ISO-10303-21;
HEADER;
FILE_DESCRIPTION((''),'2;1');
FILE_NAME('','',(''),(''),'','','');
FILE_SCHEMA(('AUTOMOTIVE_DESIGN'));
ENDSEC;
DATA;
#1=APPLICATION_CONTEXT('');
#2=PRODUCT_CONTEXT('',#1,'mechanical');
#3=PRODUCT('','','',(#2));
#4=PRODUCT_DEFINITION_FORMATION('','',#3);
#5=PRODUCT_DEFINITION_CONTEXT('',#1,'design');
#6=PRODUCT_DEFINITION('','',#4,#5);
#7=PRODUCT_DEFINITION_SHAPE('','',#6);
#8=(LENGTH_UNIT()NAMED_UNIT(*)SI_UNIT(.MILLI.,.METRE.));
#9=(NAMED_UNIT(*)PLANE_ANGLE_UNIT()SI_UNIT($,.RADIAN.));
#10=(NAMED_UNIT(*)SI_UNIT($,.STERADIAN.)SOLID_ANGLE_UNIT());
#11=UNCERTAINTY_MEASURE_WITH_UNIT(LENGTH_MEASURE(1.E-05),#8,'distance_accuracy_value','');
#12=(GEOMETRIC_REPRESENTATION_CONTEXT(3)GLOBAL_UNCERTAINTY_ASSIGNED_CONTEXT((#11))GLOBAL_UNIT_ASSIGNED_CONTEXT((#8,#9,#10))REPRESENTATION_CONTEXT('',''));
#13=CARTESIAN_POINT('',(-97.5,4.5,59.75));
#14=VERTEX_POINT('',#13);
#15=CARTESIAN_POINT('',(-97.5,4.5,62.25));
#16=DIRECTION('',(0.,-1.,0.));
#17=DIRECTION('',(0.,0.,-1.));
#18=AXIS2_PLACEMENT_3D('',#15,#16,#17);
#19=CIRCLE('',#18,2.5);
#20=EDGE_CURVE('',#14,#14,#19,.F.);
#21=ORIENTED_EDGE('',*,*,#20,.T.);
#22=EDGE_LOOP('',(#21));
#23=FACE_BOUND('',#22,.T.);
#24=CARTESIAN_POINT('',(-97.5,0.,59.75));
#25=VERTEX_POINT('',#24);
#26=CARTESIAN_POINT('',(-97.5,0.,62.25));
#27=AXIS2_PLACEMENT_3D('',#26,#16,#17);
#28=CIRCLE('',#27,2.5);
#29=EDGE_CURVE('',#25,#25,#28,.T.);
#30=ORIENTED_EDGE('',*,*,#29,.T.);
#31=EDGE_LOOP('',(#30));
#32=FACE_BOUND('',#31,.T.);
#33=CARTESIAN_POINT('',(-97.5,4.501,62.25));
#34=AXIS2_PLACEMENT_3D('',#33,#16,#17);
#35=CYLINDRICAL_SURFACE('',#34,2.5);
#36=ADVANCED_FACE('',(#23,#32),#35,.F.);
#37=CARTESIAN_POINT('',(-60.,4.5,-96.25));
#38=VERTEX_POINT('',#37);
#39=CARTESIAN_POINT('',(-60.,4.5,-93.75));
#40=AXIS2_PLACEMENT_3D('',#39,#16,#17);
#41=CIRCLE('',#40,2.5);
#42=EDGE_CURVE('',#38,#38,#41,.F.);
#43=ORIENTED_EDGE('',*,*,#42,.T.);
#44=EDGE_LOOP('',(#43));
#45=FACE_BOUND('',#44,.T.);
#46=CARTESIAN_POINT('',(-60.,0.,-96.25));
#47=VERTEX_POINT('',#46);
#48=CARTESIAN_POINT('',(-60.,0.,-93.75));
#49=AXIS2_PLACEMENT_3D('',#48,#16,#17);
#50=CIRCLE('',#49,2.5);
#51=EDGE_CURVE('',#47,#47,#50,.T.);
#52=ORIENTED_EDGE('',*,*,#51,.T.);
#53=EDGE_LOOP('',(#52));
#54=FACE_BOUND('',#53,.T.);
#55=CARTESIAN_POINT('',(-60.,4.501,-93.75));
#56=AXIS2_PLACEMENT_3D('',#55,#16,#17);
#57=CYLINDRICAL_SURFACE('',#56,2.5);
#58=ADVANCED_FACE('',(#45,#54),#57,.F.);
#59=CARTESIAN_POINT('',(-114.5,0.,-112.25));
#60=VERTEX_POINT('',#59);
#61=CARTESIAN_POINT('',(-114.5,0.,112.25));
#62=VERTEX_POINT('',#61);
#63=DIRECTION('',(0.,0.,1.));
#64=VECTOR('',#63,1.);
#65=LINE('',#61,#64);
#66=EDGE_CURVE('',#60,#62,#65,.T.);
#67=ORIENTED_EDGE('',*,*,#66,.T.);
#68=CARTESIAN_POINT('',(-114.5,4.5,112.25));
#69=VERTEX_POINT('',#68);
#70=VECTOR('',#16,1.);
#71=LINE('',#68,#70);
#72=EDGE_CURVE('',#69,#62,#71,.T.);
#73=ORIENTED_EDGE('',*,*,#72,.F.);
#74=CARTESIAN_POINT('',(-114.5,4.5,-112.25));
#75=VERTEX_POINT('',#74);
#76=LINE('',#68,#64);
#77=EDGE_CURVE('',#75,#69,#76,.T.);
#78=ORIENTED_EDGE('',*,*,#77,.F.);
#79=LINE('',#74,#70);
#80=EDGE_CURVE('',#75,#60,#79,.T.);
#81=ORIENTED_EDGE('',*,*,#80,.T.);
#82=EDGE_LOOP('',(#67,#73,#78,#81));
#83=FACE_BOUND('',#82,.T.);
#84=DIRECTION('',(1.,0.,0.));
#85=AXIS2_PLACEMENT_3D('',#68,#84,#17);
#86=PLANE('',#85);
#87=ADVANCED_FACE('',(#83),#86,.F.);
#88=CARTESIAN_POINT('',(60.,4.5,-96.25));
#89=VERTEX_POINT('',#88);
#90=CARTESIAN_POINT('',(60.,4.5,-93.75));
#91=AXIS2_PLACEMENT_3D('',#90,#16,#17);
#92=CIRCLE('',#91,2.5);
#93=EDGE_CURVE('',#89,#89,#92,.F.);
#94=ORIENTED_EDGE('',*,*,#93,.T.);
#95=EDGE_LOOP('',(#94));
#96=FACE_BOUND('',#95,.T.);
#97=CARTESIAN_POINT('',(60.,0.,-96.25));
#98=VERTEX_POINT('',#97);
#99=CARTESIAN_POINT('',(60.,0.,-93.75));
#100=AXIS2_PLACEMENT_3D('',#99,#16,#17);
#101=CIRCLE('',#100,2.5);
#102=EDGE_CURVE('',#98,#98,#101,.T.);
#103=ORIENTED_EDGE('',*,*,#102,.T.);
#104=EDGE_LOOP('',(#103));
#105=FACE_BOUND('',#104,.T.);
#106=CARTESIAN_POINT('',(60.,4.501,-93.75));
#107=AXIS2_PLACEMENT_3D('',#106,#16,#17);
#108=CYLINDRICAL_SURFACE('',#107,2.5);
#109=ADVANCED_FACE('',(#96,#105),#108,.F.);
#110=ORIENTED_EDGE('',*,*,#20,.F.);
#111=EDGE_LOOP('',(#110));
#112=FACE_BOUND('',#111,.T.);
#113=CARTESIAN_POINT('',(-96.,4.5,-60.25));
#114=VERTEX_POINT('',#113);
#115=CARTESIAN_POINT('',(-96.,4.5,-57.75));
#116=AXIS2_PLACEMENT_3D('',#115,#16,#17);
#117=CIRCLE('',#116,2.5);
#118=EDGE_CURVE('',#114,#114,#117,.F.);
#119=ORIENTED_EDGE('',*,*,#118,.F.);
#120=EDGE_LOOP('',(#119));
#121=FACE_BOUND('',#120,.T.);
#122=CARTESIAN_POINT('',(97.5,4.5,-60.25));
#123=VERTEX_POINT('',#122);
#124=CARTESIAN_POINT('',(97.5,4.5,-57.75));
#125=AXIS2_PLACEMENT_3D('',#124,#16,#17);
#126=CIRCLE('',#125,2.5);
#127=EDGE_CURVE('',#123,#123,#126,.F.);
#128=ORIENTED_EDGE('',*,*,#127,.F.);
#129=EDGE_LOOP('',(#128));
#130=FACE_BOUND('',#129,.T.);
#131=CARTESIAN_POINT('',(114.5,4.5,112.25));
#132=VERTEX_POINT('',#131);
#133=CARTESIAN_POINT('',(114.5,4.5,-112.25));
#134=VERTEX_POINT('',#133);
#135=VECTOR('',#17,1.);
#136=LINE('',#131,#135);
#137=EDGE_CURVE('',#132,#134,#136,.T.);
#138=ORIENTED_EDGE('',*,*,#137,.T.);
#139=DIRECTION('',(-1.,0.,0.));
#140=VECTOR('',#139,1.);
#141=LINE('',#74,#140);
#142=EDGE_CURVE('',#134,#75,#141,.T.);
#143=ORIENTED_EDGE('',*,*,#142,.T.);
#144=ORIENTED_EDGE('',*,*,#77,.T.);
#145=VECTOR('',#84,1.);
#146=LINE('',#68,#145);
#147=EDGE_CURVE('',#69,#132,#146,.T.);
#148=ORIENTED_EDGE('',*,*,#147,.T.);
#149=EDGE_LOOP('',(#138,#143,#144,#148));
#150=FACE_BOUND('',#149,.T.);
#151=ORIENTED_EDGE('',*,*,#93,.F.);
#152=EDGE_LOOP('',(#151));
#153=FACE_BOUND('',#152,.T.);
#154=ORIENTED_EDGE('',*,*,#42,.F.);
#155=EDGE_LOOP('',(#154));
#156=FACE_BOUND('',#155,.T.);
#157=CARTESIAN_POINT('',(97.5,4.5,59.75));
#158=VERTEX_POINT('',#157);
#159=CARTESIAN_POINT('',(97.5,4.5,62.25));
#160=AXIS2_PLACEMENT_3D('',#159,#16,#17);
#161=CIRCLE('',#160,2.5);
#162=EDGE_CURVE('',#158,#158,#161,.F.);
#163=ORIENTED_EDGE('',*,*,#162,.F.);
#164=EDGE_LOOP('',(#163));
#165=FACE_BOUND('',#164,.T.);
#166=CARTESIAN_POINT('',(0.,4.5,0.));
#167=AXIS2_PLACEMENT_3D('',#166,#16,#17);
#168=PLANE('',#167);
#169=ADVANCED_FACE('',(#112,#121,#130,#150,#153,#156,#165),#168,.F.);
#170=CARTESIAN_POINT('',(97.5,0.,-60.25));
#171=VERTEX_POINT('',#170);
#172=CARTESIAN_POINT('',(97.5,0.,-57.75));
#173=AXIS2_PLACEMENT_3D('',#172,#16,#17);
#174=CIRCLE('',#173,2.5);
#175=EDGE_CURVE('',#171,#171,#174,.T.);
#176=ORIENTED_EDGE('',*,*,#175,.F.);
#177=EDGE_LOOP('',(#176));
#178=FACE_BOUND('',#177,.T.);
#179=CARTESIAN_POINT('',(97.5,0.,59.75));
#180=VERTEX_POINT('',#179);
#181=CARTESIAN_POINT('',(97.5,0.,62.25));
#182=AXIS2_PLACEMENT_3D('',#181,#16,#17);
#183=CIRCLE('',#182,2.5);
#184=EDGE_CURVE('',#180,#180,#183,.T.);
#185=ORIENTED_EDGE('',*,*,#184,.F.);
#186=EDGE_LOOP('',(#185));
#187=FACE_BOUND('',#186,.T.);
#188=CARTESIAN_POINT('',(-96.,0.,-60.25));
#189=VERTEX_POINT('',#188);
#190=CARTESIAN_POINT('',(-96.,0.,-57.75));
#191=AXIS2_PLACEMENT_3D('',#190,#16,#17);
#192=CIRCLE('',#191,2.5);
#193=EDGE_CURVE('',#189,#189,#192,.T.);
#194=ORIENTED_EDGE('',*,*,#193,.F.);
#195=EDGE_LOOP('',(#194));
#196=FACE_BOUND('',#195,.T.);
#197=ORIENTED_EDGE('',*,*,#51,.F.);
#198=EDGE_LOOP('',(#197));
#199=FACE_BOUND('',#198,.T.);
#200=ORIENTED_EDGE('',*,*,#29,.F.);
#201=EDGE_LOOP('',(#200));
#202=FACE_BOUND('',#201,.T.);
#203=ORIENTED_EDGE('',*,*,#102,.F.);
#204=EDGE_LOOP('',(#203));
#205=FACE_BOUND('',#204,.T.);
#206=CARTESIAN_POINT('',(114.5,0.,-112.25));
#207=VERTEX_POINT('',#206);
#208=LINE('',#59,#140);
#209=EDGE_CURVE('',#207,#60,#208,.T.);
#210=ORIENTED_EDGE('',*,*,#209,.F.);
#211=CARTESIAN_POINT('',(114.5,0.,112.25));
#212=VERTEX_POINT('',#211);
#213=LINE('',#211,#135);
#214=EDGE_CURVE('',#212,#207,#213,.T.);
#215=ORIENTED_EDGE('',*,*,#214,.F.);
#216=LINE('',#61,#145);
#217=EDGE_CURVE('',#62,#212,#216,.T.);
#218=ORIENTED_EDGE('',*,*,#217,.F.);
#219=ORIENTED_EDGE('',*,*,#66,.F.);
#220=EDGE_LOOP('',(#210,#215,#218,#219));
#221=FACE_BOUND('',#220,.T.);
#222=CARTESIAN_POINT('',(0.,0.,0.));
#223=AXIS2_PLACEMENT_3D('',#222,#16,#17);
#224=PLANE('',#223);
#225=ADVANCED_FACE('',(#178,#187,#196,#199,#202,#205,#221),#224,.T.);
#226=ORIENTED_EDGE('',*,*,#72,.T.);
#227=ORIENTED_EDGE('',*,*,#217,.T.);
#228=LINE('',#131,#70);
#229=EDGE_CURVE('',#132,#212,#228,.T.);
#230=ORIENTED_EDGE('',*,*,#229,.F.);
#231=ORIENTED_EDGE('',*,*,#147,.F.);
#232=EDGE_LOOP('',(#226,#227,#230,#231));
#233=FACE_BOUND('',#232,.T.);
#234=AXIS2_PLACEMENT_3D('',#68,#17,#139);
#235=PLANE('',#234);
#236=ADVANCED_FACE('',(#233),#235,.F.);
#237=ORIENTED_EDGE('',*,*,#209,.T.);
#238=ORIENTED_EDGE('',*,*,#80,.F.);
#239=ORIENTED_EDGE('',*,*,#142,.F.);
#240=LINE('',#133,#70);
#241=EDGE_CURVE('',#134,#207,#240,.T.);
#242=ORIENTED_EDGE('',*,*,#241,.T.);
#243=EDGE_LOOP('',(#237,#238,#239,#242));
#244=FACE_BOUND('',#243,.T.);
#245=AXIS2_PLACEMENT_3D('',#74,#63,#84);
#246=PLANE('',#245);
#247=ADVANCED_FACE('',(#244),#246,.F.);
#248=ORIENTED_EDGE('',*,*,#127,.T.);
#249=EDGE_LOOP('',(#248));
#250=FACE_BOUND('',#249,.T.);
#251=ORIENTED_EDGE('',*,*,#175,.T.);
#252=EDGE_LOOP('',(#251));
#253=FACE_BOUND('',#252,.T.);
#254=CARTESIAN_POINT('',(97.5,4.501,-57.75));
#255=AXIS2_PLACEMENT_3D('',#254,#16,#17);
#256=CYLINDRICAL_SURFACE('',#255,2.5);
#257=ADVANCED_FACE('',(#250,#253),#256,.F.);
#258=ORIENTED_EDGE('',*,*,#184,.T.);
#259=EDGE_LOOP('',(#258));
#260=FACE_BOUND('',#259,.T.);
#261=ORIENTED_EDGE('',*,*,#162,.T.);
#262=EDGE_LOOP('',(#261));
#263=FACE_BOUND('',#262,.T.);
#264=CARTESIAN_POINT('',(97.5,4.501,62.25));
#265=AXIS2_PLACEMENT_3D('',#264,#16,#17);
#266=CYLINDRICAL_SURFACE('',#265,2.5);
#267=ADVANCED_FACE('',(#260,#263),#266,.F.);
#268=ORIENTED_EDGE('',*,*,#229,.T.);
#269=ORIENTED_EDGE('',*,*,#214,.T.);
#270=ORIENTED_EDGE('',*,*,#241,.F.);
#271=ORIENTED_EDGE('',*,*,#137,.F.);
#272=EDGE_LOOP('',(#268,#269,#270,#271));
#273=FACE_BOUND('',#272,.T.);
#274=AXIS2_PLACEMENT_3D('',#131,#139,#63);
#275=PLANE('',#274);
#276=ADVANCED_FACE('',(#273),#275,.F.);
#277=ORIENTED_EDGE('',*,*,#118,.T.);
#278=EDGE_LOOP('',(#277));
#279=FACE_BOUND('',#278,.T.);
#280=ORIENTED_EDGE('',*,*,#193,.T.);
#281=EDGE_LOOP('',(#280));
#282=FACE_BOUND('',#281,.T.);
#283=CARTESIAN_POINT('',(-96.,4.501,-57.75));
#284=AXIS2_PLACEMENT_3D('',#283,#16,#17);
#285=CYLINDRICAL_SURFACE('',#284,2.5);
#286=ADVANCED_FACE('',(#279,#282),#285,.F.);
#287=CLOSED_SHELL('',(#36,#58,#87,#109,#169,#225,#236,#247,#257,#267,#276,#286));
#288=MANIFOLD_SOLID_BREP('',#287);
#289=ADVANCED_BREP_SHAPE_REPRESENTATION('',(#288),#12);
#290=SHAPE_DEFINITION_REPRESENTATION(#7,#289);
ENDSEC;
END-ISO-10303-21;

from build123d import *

# Parameters (mm, degrees)
SKETCH1_W           = 229
SKETCH1_H           = 224.5
BOSS_EXTRUDE1_DEPTH = 4.5
CUT_EXTRUDE1_REACH  = 6.5
SKETCH2_R           = 2.5


with BuildPart() as part:
    # Sketch1 → Boss-Extrude1 (new body)
    with BuildSketch(Plane(origin=(0, 0, 0), x_dir=(1, 0, 0), z_dir=(0, 1, 0))):
        Rectangle(SKETCH1_W, SKETCH1_H)
    extrude(amount=BOSS_EXTRUDE1_DEPTH)

    # Sketch2 → Cut-Extrude1 (cut, up to next)
    with BuildSketch(Plane(origin=(0, 0, 0), x_dir=(-1, 0, 0), z_dir=(0, -1, 0)), mode=Mode.PRIVATE) as cut_extrude1_sk1:
        with Locations((97.5, -62.25)):
            Circle(SKETCH2_R)
    cut_extrude1_tool1 = extrude(cut_extrude1_sk1.sketch, amount=-CUT_EXTRUDE1_REACH, mode=Mode.PRIVATE) & part.part
    add(cut_extrude1_tool1.solids().sort_by_distance((-97.5, 0, 62.25))[0], mode=Mode.SUBTRACT)
    # Sketch2 → Cut-Extrude1 (cut, up to next)
    with BuildSketch(Plane(origin=(0, 0, 0), x_dir=(-1, 0, 0), z_dir=(0, -1, 0)), mode=Mode.PRIVATE) as cut_extrude1_sk2:
        with Locations((96, 57.75)):
            Circle(SKETCH2_R)
    cut_extrude1_tool2 = extrude(cut_extrude1_sk2.sketch, amount=-CUT_EXTRUDE1_REACH, mode=Mode.PRIVATE) & part.part
    add(cut_extrude1_tool2.solids().sort_by_distance((-96, 0, -57.75))[0], mode=Mode.SUBTRACT)
    # Sketch2 → Cut-Extrude1 (cut, up to next)
    with BuildSketch(Plane(origin=(0, 0, 0), x_dir=(-1, 0, 0), z_dir=(0, -1, 0)), mode=Mode.PRIVATE) as cut_extrude1_sk3:
        with Locations((60, 93.75)):
            Circle(SKETCH2_R)
    cut_extrude1_tool3 = extrude(cut_extrude1_sk3.sketch, amount=-CUT_EXTRUDE1_REACH, mode=Mode.PRIVATE) & part.part
    add(cut_extrude1_tool3.solids().sort_by_distance((-60, 0, -93.75))[0], mode=Mode.SUBTRACT)
    # Sketch2 → Cut-Extrude1 (cut, up to next)
    with BuildSketch(Plane(origin=(0, 0, 0), x_dir=(-1, 0, 0), z_dir=(0, -1, 0)), mode=Mode.PRIVATE) as cut_extrude1_sk4:
        with Locations((-60, 93.75)):
            Circle(SKETCH2_R)
    cut_extrude1_tool4 = extrude(cut_extrude1_sk4.sketch, amount=-CUT_EXTRUDE1_REACH, mode=Mode.PRIVATE) & part.part
    add(cut_extrude1_tool4.solids().sort_by_distance((60, 0, -93.75))[0], mode=Mode.SUBTRACT)
    # Sketch2 → Cut-Extrude1 (cut, up to next)
    with BuildSketch(Plane(origin=(0, 0, 0), x_dir=(-1, 0, 0), z_dir=(0, -1, 0)), mode=Mode.PRIVATE) as cut_extrude1_sk5:
        with Locations((-97.5, -62.25)):
            Circle(SKETCH2_R)
    cut_extrude1_tool5 = extrude(cut_extrude1_sk5.sketch, amount=-CUT_EXTRUDE1_REACH, mode=Mode.PRIVATE) & part.part
    add(cut_extrude1_tool5.solids().sort_by_distance((97.5, 0, 62.25))[0], mode=Mode.SUBTRACT)
    # Sketch2 → Cut-Extrude1 (cut, up to next)
    with BuildSketch(Plane(origin=(0, 0, 0), x_dir=(-1, 0, 0), z_dir=(0, -1, 0)), mode=Mode.PRIVATE) as cut_extrude1_sk6:
        with Locations((-97.5, 57.75)):
            Circle(SKETCH2_R)
    cut_extrude1_tool6 = extrude(cut_extrude1_sk6.sketch, amount=-CUT_EXTRUDE1_REACH, mode=Mode.PRIVATE) & part.part
    add(cut_extrude1_tool6.solids().sort_by_distance((97.5, 0, -57.75))[0], mode=Mode.SUBTRACT)


solid = part.part
